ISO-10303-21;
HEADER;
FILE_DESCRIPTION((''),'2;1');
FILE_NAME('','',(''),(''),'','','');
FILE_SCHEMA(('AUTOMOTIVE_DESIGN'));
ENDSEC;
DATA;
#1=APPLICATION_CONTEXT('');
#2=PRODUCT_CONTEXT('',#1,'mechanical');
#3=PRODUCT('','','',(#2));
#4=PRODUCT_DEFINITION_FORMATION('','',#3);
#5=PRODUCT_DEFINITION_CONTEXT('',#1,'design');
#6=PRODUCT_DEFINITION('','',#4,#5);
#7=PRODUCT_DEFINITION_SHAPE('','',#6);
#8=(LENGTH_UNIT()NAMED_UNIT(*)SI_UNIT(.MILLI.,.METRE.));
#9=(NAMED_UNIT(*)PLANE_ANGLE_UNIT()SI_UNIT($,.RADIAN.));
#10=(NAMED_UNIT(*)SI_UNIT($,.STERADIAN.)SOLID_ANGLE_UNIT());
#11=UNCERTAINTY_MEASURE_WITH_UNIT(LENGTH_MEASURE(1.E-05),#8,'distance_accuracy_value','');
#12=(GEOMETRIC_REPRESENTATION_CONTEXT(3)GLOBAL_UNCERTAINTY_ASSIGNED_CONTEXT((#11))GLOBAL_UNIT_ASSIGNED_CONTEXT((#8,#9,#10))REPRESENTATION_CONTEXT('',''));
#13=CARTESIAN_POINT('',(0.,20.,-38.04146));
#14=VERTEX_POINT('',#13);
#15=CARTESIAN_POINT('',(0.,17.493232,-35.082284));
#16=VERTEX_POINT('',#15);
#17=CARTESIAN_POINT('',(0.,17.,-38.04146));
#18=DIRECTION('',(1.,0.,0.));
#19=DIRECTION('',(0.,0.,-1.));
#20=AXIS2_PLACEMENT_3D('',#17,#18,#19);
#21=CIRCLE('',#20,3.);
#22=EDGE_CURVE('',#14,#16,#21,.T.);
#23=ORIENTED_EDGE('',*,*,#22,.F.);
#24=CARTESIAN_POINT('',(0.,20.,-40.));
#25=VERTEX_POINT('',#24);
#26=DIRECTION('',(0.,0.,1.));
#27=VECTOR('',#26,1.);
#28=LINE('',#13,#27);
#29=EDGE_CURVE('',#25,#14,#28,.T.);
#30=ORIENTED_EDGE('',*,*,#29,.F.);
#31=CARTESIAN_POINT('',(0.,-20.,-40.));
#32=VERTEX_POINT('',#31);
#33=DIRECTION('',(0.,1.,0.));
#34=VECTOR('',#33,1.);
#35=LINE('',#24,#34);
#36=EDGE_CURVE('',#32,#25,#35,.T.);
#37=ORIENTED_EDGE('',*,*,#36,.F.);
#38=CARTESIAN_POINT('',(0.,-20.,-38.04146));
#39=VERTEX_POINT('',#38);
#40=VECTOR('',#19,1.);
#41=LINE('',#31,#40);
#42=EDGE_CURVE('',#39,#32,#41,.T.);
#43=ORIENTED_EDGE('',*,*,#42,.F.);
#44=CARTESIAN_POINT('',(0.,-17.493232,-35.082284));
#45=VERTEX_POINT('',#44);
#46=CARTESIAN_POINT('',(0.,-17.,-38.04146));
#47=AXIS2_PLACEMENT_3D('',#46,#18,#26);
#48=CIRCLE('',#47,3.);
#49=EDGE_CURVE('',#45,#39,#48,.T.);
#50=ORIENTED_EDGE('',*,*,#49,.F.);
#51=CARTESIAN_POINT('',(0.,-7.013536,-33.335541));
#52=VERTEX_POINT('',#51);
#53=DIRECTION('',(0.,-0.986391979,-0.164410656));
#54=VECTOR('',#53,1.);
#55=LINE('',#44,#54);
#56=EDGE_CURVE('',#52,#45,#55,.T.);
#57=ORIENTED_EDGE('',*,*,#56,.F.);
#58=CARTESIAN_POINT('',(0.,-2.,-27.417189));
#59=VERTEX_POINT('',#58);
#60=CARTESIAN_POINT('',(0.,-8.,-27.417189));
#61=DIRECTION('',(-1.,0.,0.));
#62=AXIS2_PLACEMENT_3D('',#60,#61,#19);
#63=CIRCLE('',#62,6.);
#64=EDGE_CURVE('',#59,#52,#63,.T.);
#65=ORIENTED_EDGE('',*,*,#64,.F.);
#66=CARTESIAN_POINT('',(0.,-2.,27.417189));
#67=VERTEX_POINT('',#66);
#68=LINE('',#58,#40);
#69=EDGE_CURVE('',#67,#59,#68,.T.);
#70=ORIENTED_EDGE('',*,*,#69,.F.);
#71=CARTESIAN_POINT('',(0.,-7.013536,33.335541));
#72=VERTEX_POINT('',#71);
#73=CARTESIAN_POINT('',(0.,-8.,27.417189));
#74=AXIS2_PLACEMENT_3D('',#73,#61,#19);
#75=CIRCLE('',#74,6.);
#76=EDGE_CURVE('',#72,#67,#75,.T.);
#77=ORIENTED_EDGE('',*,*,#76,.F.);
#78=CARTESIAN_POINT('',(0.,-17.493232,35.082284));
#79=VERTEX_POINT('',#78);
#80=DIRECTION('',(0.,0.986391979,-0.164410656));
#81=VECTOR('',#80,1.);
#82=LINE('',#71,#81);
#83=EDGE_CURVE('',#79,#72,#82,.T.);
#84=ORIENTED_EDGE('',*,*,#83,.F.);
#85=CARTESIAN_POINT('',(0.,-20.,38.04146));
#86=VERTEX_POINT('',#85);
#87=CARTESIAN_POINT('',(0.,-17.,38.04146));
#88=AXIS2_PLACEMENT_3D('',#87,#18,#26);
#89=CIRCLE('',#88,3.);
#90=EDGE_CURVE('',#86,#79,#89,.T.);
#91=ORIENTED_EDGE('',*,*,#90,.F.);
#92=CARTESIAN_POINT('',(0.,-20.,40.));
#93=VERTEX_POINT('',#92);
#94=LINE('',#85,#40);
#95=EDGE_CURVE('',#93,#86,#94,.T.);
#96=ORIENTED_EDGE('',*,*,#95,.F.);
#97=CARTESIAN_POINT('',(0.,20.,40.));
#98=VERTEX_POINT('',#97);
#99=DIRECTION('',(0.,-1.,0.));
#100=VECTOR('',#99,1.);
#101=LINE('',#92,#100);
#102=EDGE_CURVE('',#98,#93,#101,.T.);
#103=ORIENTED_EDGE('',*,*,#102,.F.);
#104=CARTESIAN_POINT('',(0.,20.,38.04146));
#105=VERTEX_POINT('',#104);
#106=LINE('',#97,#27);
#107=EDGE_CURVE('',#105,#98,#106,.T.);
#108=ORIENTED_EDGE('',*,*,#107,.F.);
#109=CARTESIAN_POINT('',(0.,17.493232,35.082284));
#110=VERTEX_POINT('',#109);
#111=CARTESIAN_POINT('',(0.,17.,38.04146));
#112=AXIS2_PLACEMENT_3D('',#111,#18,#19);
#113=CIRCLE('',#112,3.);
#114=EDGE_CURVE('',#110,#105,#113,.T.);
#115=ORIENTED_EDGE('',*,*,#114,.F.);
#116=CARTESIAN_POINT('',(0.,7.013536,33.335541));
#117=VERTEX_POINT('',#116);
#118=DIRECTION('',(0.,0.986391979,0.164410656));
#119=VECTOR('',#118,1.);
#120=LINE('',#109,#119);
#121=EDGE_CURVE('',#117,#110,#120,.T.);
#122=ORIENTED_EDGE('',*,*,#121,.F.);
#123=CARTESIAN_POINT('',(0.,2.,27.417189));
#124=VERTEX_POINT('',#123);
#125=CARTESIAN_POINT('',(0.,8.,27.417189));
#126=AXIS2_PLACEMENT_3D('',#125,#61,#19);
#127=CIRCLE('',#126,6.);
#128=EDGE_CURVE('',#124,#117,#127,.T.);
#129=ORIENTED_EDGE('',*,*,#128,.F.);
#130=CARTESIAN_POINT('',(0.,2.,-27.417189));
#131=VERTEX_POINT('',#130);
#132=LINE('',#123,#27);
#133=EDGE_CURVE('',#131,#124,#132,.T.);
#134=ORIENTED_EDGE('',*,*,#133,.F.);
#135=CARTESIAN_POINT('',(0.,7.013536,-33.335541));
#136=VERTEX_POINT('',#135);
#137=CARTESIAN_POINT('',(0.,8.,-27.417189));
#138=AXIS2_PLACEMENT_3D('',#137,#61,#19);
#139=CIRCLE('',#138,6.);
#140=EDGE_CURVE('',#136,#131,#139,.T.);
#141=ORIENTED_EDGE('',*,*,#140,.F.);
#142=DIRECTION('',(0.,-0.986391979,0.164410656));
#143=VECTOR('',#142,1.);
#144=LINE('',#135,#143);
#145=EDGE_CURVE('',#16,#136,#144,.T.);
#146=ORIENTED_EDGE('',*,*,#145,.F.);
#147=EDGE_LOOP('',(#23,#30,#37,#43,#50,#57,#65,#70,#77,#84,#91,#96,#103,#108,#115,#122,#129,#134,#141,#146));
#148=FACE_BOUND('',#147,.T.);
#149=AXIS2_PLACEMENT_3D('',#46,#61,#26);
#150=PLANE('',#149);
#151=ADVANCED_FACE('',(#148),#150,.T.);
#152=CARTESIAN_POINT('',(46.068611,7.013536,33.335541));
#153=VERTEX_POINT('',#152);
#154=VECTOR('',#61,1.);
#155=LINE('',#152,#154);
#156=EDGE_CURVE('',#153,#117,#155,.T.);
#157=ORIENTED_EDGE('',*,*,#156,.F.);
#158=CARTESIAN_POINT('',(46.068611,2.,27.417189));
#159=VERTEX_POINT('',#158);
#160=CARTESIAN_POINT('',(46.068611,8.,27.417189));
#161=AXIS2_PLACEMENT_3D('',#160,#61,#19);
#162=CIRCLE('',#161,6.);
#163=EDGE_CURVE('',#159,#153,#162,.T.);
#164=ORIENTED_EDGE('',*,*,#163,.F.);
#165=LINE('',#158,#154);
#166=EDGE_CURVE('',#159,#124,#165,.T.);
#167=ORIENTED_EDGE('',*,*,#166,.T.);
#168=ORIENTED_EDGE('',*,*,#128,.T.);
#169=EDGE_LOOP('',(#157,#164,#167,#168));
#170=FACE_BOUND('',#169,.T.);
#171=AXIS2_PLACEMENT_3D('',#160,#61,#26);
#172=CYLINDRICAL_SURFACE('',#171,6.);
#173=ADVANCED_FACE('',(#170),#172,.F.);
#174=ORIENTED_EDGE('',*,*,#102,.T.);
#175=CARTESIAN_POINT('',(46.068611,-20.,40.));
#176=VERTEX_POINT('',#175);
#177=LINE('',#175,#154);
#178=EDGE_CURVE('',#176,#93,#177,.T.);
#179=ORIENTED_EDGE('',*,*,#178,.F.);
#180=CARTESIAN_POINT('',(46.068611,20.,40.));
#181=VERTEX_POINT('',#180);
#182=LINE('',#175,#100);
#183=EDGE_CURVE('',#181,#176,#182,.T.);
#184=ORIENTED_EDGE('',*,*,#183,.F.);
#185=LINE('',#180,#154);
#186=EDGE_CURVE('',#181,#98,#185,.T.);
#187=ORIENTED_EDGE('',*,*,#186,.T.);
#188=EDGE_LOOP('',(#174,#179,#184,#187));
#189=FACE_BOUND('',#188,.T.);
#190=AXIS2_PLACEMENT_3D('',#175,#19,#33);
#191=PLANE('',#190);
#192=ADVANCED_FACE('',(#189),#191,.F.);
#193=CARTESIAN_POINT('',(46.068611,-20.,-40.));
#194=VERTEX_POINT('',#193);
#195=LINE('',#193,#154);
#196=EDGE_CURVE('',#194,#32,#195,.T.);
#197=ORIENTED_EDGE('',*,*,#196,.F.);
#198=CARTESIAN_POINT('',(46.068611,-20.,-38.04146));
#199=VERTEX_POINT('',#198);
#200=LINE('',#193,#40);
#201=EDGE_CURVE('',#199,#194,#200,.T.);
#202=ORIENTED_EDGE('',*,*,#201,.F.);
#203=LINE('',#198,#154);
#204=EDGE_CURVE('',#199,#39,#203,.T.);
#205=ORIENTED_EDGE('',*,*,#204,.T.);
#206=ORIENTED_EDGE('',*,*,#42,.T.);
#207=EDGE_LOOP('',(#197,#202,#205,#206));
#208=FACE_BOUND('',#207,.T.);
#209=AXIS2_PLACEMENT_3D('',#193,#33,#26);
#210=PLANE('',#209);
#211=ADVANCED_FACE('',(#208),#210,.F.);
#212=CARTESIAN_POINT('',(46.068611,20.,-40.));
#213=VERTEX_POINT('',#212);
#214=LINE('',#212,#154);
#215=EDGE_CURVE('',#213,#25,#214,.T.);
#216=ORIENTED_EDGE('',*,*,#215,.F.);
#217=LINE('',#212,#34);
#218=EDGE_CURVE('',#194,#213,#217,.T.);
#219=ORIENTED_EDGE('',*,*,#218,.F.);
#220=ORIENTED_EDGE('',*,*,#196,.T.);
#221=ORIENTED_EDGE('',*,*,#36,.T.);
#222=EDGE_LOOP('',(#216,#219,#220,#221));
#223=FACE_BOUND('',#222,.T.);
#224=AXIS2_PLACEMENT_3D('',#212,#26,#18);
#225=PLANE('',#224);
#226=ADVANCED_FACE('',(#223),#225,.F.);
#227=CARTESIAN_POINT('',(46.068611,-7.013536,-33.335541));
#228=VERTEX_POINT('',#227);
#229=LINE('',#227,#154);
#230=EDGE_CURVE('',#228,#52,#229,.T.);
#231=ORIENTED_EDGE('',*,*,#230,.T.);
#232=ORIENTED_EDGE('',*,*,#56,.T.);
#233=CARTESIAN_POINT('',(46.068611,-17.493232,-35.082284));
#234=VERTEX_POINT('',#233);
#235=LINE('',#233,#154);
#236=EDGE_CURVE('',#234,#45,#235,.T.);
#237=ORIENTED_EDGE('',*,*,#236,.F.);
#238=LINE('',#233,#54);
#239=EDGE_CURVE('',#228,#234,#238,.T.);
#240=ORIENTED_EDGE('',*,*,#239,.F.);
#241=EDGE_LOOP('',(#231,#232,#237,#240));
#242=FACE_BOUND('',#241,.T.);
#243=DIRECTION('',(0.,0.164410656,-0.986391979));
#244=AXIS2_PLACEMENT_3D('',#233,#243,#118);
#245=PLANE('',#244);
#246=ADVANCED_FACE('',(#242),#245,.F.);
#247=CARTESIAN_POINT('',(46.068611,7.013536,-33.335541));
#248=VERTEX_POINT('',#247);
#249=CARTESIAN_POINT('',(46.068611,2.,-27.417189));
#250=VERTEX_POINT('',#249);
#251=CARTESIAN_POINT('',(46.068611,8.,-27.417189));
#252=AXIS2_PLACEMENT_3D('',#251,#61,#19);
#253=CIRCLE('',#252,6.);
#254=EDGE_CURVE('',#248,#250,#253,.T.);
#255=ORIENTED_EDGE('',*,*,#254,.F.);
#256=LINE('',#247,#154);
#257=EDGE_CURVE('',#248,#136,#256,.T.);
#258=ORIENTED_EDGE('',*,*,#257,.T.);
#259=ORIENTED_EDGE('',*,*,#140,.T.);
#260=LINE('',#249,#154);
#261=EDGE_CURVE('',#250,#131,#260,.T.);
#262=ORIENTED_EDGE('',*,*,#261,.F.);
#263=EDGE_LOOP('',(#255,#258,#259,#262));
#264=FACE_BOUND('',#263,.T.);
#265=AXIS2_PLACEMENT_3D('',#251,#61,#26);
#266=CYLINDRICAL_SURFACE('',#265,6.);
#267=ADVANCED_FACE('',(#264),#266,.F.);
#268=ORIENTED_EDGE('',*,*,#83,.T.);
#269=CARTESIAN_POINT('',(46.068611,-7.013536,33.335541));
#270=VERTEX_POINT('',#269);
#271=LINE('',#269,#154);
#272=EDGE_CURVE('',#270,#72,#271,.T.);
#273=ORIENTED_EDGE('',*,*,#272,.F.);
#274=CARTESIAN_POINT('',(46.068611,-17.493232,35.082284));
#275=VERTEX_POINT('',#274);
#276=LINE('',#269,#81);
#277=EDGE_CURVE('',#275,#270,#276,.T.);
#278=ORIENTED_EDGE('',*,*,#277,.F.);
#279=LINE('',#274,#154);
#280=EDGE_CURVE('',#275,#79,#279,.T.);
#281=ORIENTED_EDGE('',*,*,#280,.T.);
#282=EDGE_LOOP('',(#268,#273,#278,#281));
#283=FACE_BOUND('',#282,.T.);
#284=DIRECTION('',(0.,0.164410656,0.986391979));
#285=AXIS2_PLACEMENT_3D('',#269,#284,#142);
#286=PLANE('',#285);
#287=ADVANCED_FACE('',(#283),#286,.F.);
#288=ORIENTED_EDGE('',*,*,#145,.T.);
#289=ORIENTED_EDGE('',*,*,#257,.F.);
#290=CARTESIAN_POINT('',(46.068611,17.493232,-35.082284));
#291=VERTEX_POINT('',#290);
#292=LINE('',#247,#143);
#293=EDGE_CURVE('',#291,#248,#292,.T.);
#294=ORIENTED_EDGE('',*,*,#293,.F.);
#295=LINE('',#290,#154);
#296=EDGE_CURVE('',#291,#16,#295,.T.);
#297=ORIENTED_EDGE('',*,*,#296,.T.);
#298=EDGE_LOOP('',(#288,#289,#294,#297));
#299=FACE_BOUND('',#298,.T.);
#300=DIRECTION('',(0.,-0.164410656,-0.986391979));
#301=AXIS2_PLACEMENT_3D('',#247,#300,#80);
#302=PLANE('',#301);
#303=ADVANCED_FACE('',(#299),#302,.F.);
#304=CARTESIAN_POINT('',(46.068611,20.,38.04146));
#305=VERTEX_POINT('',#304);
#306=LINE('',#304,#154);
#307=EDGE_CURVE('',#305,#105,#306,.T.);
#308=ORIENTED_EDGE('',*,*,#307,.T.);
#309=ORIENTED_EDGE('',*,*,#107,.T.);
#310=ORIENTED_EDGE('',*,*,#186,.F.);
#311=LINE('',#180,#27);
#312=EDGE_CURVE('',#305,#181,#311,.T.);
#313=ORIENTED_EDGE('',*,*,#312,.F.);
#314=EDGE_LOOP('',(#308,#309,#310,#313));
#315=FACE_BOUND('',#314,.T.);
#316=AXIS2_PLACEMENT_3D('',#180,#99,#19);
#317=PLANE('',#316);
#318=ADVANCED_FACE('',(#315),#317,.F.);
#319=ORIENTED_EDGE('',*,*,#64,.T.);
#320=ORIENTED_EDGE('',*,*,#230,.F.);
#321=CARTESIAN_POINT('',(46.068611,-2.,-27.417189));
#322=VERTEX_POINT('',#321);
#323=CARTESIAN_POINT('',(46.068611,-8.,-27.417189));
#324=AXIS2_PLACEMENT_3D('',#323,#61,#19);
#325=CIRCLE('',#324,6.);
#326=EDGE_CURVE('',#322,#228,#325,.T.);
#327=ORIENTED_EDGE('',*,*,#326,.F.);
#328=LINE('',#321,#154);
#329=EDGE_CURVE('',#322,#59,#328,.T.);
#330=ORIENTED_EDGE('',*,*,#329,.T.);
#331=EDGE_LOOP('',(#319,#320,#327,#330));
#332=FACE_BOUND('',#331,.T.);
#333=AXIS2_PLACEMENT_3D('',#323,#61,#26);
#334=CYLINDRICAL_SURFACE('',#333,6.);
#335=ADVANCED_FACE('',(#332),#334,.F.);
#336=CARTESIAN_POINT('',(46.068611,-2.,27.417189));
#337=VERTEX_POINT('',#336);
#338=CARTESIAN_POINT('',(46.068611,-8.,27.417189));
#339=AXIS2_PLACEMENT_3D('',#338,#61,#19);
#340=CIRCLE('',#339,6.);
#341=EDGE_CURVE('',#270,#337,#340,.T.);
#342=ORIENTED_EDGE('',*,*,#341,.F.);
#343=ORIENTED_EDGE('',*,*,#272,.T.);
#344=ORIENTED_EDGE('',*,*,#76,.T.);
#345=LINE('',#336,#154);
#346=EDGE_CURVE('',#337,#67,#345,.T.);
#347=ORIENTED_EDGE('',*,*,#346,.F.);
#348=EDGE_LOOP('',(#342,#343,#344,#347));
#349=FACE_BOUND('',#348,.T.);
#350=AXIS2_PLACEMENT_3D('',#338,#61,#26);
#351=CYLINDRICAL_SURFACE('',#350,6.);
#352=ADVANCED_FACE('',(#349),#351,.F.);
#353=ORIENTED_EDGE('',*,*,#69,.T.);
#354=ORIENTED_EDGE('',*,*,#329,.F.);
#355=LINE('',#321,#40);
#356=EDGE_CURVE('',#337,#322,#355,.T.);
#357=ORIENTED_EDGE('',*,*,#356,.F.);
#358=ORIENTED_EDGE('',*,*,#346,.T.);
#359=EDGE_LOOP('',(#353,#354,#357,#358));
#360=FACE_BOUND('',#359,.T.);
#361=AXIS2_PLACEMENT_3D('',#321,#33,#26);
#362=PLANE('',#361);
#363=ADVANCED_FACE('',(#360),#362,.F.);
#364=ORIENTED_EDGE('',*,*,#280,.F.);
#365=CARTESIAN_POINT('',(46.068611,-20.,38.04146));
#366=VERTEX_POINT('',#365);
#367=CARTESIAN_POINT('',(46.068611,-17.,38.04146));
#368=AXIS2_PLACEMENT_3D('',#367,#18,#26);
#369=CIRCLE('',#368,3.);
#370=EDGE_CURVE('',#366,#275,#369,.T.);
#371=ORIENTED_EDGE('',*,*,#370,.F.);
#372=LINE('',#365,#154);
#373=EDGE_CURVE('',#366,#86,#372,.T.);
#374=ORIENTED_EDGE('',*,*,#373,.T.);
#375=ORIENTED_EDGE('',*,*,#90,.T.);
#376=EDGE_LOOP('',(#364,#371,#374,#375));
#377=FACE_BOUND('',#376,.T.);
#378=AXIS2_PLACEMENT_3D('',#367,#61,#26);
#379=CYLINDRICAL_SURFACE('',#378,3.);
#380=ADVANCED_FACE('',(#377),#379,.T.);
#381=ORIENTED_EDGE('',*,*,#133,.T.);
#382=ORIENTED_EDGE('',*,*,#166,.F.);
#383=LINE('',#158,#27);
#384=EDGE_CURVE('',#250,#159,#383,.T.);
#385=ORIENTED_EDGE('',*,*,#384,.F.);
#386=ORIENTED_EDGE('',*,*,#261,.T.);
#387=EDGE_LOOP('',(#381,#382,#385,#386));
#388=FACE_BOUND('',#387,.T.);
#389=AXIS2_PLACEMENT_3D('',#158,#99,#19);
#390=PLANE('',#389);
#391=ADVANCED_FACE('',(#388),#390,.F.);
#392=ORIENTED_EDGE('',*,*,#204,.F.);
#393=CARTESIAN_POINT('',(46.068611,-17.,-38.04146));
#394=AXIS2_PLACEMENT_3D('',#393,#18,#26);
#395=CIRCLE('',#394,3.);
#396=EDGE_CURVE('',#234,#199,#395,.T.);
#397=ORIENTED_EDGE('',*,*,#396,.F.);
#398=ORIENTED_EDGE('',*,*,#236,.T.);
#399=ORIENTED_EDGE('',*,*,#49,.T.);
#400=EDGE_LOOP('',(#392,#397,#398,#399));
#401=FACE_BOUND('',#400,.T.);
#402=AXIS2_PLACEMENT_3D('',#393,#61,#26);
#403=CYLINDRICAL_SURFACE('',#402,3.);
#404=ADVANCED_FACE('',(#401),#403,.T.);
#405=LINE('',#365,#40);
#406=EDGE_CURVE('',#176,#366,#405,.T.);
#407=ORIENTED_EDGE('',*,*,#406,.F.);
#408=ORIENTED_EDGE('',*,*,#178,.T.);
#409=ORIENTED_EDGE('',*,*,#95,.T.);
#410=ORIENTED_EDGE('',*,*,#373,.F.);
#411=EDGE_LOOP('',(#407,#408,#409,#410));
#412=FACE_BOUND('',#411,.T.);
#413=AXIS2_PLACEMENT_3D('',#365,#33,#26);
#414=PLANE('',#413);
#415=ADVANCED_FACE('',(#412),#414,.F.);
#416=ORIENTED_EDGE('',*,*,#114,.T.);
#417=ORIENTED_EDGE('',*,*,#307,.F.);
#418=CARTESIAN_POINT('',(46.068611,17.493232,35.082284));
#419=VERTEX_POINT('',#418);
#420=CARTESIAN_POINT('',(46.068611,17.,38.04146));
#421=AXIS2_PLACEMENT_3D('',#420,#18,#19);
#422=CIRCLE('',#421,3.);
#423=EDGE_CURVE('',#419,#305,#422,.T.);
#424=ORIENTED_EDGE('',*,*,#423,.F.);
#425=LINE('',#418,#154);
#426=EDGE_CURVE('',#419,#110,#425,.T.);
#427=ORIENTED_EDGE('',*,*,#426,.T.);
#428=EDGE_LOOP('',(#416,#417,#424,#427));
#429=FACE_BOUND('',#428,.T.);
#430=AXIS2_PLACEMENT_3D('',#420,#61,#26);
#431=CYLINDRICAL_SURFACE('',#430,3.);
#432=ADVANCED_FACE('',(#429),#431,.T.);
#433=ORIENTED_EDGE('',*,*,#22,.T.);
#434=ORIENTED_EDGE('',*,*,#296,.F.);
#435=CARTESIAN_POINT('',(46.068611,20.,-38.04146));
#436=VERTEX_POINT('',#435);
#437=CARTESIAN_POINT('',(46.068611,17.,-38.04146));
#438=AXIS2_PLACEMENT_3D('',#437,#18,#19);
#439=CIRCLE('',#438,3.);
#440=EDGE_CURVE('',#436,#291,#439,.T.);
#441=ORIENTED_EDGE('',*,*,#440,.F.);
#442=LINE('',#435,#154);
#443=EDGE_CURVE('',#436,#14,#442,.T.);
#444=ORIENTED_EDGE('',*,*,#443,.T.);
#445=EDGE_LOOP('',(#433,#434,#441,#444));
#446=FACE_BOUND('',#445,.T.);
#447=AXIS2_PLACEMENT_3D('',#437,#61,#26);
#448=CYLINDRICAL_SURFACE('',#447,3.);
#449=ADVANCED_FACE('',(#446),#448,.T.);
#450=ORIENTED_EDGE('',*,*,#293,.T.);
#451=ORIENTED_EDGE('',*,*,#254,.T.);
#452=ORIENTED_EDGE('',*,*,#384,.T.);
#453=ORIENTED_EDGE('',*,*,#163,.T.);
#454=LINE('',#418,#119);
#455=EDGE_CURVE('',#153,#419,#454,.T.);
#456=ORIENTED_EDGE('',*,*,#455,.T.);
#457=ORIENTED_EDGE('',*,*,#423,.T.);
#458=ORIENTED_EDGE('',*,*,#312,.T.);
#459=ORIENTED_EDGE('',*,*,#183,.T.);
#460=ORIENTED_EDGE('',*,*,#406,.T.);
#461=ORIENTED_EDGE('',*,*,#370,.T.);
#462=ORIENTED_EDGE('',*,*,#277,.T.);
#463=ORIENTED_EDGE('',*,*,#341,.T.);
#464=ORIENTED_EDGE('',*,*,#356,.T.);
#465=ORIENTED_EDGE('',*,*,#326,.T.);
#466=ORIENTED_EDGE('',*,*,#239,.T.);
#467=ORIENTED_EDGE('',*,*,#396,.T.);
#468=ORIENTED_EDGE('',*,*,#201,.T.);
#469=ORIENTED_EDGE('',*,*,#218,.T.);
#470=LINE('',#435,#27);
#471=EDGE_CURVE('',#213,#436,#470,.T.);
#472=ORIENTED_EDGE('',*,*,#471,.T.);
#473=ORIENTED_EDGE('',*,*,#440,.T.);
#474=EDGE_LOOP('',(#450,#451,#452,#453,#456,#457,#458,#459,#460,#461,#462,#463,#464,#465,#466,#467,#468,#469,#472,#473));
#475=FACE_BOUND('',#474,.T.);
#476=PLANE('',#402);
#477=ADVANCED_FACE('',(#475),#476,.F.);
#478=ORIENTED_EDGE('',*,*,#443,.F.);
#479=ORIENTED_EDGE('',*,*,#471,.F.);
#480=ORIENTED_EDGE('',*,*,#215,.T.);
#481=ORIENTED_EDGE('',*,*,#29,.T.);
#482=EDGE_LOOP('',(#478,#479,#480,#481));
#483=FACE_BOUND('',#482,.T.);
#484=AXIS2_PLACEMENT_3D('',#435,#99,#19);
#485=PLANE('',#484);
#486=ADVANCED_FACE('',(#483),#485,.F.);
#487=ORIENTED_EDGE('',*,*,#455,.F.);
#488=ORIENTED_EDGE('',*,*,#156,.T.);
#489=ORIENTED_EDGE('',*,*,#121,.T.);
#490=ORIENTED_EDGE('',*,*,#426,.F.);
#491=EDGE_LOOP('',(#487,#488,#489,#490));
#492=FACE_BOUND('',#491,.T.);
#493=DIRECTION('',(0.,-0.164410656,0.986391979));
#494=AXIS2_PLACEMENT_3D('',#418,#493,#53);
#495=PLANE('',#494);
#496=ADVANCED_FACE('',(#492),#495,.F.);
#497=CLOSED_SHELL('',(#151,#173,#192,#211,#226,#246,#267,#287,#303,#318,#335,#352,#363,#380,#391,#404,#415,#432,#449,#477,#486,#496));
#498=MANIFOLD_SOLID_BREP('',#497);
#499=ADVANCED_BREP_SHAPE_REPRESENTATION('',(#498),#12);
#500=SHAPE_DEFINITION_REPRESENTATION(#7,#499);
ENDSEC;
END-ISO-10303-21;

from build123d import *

# Parameters (mm, degrees)
SB_KIRI_80_X_6_1_DEPTH = 46.068610974


with BuildPart() as part:
    # Sketch14 → Sb kiriş 80 X 6(1) (new body)
    with BuildSketch(Plane.YZ):
        with BuildLine():
            Line((-20, -40), (-20, -38.04146021))
            ThreePointArc((-20, -38.04146021), (-19.289071417, -36.102349061), (-17.493231968, -35.082284273))
            Line((-17.493231968, -35.082284273), (-7.013536064, -33.335540874))
            ThreePointArc((-7.013536064, -33.335540874), (-3.421857166, -31.295411298), (-2, -27.417189))
            Line((-2, -27.417189), (-2, 27.417189))
            ThreePointArc((-2, 27.417189), (-3.421857166, 31.295411298), (-7.013536064, 33.335540874))
            Line((-7.013536064, 33.335540874), (-17.493231968, 35.082284273))
            ThreePointArc((-17.493231968, 35.082284273), (-19.289071417, 36.102349061), (-20, 38.04146021))
            Line((-20, 38.04146021), (-20, 40))
            Line((-20, 40), (20, 40))
            Line((20, 40), (20, 38.04146021))
            ThreePointArc((20, 38.04146021), (19.289071417, 36.102349061), (17.493231968, 35.082284273))
            Line((17.493231968, 35.082284273), (7.013536064, 33.335540874))
            ThreePointArc((7.013536064, 33.335540874), (3.421857166, 31.295411298), (2, 27.417189))
            Line((2, 27.417189), (2, -27.417189))
            ThreePointArc((2, -27.417189), (3.421857166, -31.295411298), (7.013536064, -33.335540874))
            Line((7.013536064, -33.335540874), (17.493231968, -35.082284273))
            ThreePointArc((17.493231968, -35.082284273), (19.289071417, -36.102349061), (20, -38.04146021))
            Line((20, -38.04146021), (20, -40))
            Line((20, -40), (-20, -40))
        make_face()
    extrude(amount=SB_KIRI_80_X_6_1_DEPTH)


solid = part.part
